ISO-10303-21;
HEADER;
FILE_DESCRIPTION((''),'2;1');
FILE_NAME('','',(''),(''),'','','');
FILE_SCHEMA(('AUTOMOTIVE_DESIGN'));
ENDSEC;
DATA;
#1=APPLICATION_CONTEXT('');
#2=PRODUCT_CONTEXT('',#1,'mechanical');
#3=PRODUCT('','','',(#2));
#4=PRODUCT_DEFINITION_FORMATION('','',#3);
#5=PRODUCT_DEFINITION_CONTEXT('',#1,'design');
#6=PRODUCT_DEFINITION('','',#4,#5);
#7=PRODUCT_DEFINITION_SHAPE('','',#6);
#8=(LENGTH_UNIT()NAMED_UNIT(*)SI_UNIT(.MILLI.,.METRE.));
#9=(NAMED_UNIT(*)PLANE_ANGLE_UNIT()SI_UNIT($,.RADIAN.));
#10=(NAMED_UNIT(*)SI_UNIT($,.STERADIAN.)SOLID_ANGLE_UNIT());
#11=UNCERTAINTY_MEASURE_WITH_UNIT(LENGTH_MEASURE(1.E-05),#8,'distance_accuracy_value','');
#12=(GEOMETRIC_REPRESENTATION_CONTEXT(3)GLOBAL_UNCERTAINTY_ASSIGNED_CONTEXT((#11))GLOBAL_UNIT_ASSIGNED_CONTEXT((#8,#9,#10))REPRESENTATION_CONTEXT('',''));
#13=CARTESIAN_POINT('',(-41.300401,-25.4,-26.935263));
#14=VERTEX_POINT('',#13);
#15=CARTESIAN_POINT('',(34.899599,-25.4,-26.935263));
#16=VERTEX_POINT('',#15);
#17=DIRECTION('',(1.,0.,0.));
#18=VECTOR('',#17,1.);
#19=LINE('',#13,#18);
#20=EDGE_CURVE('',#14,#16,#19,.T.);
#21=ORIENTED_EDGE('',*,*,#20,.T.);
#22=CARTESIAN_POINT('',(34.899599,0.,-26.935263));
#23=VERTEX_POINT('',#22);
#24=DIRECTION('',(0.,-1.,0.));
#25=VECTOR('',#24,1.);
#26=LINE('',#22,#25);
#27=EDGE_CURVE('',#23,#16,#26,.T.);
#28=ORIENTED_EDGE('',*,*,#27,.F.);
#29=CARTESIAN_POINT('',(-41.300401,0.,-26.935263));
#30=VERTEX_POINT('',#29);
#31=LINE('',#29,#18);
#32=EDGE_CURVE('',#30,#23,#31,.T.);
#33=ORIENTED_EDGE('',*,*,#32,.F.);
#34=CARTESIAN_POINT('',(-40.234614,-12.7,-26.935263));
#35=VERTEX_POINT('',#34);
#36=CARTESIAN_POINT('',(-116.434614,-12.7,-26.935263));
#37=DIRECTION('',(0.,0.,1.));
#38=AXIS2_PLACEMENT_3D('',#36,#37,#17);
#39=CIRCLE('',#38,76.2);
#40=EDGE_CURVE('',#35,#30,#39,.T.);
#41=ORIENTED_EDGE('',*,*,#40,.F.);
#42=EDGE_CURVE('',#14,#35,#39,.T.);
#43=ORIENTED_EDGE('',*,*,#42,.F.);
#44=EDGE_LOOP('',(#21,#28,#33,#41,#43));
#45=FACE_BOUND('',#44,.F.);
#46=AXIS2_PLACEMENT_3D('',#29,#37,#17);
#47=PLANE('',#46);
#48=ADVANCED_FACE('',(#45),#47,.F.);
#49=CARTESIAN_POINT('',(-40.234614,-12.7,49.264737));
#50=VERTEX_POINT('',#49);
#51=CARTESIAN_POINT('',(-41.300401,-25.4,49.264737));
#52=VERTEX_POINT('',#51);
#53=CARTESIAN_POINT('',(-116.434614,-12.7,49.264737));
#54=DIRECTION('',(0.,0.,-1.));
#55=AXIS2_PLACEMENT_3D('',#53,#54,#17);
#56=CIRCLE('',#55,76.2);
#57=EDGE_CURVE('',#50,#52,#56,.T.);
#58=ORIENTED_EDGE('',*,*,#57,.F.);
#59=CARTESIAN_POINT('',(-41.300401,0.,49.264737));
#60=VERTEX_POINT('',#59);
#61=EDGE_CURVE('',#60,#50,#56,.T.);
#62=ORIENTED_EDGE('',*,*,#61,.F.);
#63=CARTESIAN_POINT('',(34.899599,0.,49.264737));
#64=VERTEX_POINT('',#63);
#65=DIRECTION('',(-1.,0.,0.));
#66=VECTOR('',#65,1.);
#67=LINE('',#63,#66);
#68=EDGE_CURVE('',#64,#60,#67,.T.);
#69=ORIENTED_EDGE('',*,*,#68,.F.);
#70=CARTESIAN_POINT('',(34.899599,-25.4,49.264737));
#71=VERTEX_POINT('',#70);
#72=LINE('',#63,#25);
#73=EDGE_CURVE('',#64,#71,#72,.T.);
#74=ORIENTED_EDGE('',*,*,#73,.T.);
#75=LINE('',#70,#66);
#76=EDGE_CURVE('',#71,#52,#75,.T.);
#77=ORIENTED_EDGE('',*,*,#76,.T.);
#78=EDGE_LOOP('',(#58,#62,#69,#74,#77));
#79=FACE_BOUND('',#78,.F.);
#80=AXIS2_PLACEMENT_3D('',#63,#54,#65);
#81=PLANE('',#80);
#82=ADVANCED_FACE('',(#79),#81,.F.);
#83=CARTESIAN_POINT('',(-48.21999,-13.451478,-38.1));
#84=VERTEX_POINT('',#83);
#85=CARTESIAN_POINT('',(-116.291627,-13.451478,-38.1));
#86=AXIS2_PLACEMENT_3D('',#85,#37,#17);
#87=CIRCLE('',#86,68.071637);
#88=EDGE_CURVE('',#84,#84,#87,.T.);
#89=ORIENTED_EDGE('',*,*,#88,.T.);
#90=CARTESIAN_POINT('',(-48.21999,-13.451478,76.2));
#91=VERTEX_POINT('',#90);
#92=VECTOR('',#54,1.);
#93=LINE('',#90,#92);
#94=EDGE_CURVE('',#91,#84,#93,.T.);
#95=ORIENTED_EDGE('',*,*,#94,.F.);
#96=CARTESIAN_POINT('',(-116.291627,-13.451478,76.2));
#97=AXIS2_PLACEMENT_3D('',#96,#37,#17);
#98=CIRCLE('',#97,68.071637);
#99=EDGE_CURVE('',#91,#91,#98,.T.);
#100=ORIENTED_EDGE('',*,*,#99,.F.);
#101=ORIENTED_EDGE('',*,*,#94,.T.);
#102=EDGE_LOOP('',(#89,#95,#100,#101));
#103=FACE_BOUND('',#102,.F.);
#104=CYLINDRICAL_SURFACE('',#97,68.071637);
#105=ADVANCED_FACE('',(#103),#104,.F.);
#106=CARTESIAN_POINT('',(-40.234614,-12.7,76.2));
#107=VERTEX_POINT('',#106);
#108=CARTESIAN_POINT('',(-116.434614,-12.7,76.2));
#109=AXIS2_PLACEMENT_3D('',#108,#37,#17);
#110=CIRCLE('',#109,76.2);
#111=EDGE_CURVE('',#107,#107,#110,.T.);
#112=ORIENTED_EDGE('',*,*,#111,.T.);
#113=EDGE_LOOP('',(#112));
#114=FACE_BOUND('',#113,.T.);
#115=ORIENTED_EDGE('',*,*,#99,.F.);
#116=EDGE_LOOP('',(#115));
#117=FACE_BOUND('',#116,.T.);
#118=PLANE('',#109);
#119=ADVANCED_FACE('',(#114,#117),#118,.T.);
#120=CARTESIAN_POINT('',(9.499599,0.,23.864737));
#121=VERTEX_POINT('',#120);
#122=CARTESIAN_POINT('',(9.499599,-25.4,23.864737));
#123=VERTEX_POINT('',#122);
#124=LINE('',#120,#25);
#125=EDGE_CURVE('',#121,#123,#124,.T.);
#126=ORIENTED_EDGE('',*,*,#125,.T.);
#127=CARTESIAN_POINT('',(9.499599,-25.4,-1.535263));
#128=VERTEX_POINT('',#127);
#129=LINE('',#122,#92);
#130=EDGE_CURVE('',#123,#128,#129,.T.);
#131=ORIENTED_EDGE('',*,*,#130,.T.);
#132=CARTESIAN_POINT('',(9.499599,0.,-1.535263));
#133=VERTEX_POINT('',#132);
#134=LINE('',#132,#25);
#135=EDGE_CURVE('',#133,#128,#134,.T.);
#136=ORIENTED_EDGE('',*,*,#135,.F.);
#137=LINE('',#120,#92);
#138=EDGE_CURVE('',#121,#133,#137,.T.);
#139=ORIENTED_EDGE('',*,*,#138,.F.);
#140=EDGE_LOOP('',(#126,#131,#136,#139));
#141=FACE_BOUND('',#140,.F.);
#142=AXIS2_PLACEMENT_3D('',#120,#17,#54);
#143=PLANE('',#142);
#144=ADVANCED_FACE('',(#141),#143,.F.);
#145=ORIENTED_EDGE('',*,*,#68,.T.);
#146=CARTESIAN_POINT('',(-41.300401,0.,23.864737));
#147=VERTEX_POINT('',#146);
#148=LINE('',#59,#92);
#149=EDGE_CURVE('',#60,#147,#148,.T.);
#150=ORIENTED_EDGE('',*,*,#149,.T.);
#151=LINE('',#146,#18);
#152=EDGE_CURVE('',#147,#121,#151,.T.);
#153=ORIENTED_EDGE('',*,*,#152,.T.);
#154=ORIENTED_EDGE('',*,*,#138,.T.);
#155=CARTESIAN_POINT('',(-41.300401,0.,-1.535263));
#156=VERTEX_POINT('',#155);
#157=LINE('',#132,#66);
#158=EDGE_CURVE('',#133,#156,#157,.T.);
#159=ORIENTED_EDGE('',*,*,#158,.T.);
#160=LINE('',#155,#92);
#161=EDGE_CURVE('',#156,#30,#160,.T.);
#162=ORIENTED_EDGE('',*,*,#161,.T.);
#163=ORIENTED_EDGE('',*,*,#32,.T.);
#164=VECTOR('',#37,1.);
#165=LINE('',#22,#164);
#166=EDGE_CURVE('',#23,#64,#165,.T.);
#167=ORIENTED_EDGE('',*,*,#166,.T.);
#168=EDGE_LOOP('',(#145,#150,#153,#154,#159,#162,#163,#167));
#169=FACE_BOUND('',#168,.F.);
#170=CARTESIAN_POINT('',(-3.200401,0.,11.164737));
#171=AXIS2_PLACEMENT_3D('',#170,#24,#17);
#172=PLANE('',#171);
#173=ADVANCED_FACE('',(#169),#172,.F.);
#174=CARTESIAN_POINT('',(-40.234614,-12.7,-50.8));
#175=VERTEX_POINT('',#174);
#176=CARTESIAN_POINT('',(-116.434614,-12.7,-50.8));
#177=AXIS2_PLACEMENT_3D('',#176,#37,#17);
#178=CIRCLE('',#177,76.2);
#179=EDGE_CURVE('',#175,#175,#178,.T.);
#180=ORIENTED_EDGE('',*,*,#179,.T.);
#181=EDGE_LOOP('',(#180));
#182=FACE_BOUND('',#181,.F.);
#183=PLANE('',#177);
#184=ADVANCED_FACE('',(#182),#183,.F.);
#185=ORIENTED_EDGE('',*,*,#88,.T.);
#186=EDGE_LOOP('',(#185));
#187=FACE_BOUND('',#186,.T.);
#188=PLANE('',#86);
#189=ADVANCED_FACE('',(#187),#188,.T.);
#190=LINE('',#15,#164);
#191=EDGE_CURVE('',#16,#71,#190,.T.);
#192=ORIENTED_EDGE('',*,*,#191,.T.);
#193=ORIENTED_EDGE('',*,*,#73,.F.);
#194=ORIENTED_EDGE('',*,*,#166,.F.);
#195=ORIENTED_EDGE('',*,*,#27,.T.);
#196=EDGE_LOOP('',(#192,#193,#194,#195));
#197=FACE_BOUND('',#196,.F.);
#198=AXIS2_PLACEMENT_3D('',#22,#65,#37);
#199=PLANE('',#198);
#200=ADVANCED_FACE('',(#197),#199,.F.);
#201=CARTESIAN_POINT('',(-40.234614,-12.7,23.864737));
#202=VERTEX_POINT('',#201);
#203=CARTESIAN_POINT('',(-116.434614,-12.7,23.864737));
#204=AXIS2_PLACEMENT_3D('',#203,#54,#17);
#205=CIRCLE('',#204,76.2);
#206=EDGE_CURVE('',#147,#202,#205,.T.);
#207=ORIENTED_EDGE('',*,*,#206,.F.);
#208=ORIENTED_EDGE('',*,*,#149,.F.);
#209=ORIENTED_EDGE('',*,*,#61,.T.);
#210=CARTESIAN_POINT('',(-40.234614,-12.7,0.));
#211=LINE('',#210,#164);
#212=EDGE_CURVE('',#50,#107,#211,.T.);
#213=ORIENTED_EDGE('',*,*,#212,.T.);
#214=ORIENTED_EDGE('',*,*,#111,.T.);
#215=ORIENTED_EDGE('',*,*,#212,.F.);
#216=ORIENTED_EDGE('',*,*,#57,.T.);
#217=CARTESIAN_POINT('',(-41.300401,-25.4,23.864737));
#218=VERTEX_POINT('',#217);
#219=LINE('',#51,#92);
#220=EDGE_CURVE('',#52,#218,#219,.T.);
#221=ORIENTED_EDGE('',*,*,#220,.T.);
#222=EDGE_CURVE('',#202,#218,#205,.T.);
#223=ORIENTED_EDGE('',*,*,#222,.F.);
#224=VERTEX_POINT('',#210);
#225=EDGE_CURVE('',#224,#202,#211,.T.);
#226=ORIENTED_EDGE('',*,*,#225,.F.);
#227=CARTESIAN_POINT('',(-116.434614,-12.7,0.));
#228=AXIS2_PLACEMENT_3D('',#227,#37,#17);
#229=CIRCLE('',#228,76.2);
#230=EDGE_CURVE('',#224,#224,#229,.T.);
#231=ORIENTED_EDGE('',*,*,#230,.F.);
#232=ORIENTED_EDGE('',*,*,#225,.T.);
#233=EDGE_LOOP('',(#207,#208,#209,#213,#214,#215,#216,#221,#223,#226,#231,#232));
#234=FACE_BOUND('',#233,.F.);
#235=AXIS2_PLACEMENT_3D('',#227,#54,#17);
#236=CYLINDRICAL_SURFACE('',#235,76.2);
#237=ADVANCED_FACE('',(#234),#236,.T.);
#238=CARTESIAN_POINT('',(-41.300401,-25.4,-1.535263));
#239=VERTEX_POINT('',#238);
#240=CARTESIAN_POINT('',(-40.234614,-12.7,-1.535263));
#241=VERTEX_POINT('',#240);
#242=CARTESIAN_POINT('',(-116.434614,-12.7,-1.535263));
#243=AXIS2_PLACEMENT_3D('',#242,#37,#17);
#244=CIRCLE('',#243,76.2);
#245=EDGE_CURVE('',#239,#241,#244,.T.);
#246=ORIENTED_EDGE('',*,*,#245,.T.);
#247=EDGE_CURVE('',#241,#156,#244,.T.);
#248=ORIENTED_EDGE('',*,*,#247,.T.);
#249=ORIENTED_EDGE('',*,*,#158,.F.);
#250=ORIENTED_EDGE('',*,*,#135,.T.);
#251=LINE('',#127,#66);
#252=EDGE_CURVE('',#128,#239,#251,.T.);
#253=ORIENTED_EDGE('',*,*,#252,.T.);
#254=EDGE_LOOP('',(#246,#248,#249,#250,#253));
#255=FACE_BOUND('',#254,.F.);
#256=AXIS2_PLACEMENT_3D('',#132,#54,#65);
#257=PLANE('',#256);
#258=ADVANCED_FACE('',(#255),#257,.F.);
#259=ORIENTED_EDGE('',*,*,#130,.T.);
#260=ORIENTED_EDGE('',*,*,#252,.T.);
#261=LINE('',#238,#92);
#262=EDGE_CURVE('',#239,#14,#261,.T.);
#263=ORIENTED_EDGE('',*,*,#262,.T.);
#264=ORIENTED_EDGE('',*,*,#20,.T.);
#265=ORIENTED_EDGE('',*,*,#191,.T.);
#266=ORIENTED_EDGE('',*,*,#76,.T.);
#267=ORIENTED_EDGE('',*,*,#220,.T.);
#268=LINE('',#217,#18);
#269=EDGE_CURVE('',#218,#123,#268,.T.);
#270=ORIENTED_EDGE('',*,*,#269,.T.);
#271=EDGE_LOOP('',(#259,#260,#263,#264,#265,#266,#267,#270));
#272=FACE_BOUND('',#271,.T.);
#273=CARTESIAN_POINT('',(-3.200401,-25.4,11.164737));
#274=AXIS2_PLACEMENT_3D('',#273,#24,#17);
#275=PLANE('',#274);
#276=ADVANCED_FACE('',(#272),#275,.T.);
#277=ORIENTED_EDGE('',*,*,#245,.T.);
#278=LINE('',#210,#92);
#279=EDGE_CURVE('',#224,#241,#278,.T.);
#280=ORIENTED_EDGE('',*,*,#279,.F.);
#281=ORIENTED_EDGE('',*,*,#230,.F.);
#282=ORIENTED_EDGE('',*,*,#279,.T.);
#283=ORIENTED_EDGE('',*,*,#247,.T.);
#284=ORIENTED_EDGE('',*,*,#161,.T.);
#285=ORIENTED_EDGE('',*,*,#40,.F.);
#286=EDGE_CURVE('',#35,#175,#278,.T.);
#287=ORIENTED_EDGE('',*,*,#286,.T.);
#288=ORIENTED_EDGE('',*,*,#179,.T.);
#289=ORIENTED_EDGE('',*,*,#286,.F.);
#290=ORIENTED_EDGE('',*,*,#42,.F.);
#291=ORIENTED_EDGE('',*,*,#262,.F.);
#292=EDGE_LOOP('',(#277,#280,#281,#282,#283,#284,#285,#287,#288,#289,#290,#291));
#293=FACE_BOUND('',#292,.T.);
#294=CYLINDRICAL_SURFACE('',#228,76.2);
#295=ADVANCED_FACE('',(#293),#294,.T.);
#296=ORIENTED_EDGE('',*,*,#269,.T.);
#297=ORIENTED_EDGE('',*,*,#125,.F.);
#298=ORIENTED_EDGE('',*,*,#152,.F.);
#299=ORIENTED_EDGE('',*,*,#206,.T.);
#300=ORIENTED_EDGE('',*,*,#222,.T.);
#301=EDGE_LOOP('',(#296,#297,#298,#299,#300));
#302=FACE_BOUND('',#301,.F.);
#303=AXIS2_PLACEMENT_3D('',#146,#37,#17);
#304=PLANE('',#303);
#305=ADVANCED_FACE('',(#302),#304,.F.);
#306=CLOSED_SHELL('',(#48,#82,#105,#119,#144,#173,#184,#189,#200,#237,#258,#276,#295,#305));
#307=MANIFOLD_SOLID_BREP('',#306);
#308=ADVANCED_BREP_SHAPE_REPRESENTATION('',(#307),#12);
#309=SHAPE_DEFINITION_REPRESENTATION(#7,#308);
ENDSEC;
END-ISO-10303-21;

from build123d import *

# Parameters (mm, degrees)
F1_DEPTH      = 25.4
F2_R          = 76.2
F3_DEPTH      = 76.2
F3_DEPTH_BACK = 50.8
F5_R          = 68.0716373703
F6_DEPTH      = 114.3


with BuildPart() as f1:
    # F0 (on Front) → F1 (new body)
    with BuildSketch(Plane.XZ):
        Polygon((34.8995993793, 49.2647366976), (-41.3004006207, 49.2647366976), (-41.3004006207, 23.8647366976), (9.4995993793, 23.8647366976), (9.4995993793, -1.5352633024), (-41.3004006207, -1.5352633024), (-41.3004006207, -26.9352633024), (34.8995993793, -26.9352633024), align=None)
    extrude(amount=F1_DEPTH)

    # F2 (on Top) → F3 (join, two sides)
    with BuildSketch(Plane.XY) as f3_sk:
        with Locations((-116.4346138661, -12.7)):
            Circle(F2_R)
    extrude(amount=F3_DEPTH)
    extrude(f3_sk.sketch, amount=-F3_DEPTH_BACK)

    # F5 (on face) → F6 (cut)
    with BuildSketch(Plane.XY.offset(76.2)):
        with Locations((-116.2916272879, -13.451478444)):
            Circle(F5_R)
    extrude(amount=-F6_DEPTH, mode=Mode.SUBTRACT)


solid = f1.part
